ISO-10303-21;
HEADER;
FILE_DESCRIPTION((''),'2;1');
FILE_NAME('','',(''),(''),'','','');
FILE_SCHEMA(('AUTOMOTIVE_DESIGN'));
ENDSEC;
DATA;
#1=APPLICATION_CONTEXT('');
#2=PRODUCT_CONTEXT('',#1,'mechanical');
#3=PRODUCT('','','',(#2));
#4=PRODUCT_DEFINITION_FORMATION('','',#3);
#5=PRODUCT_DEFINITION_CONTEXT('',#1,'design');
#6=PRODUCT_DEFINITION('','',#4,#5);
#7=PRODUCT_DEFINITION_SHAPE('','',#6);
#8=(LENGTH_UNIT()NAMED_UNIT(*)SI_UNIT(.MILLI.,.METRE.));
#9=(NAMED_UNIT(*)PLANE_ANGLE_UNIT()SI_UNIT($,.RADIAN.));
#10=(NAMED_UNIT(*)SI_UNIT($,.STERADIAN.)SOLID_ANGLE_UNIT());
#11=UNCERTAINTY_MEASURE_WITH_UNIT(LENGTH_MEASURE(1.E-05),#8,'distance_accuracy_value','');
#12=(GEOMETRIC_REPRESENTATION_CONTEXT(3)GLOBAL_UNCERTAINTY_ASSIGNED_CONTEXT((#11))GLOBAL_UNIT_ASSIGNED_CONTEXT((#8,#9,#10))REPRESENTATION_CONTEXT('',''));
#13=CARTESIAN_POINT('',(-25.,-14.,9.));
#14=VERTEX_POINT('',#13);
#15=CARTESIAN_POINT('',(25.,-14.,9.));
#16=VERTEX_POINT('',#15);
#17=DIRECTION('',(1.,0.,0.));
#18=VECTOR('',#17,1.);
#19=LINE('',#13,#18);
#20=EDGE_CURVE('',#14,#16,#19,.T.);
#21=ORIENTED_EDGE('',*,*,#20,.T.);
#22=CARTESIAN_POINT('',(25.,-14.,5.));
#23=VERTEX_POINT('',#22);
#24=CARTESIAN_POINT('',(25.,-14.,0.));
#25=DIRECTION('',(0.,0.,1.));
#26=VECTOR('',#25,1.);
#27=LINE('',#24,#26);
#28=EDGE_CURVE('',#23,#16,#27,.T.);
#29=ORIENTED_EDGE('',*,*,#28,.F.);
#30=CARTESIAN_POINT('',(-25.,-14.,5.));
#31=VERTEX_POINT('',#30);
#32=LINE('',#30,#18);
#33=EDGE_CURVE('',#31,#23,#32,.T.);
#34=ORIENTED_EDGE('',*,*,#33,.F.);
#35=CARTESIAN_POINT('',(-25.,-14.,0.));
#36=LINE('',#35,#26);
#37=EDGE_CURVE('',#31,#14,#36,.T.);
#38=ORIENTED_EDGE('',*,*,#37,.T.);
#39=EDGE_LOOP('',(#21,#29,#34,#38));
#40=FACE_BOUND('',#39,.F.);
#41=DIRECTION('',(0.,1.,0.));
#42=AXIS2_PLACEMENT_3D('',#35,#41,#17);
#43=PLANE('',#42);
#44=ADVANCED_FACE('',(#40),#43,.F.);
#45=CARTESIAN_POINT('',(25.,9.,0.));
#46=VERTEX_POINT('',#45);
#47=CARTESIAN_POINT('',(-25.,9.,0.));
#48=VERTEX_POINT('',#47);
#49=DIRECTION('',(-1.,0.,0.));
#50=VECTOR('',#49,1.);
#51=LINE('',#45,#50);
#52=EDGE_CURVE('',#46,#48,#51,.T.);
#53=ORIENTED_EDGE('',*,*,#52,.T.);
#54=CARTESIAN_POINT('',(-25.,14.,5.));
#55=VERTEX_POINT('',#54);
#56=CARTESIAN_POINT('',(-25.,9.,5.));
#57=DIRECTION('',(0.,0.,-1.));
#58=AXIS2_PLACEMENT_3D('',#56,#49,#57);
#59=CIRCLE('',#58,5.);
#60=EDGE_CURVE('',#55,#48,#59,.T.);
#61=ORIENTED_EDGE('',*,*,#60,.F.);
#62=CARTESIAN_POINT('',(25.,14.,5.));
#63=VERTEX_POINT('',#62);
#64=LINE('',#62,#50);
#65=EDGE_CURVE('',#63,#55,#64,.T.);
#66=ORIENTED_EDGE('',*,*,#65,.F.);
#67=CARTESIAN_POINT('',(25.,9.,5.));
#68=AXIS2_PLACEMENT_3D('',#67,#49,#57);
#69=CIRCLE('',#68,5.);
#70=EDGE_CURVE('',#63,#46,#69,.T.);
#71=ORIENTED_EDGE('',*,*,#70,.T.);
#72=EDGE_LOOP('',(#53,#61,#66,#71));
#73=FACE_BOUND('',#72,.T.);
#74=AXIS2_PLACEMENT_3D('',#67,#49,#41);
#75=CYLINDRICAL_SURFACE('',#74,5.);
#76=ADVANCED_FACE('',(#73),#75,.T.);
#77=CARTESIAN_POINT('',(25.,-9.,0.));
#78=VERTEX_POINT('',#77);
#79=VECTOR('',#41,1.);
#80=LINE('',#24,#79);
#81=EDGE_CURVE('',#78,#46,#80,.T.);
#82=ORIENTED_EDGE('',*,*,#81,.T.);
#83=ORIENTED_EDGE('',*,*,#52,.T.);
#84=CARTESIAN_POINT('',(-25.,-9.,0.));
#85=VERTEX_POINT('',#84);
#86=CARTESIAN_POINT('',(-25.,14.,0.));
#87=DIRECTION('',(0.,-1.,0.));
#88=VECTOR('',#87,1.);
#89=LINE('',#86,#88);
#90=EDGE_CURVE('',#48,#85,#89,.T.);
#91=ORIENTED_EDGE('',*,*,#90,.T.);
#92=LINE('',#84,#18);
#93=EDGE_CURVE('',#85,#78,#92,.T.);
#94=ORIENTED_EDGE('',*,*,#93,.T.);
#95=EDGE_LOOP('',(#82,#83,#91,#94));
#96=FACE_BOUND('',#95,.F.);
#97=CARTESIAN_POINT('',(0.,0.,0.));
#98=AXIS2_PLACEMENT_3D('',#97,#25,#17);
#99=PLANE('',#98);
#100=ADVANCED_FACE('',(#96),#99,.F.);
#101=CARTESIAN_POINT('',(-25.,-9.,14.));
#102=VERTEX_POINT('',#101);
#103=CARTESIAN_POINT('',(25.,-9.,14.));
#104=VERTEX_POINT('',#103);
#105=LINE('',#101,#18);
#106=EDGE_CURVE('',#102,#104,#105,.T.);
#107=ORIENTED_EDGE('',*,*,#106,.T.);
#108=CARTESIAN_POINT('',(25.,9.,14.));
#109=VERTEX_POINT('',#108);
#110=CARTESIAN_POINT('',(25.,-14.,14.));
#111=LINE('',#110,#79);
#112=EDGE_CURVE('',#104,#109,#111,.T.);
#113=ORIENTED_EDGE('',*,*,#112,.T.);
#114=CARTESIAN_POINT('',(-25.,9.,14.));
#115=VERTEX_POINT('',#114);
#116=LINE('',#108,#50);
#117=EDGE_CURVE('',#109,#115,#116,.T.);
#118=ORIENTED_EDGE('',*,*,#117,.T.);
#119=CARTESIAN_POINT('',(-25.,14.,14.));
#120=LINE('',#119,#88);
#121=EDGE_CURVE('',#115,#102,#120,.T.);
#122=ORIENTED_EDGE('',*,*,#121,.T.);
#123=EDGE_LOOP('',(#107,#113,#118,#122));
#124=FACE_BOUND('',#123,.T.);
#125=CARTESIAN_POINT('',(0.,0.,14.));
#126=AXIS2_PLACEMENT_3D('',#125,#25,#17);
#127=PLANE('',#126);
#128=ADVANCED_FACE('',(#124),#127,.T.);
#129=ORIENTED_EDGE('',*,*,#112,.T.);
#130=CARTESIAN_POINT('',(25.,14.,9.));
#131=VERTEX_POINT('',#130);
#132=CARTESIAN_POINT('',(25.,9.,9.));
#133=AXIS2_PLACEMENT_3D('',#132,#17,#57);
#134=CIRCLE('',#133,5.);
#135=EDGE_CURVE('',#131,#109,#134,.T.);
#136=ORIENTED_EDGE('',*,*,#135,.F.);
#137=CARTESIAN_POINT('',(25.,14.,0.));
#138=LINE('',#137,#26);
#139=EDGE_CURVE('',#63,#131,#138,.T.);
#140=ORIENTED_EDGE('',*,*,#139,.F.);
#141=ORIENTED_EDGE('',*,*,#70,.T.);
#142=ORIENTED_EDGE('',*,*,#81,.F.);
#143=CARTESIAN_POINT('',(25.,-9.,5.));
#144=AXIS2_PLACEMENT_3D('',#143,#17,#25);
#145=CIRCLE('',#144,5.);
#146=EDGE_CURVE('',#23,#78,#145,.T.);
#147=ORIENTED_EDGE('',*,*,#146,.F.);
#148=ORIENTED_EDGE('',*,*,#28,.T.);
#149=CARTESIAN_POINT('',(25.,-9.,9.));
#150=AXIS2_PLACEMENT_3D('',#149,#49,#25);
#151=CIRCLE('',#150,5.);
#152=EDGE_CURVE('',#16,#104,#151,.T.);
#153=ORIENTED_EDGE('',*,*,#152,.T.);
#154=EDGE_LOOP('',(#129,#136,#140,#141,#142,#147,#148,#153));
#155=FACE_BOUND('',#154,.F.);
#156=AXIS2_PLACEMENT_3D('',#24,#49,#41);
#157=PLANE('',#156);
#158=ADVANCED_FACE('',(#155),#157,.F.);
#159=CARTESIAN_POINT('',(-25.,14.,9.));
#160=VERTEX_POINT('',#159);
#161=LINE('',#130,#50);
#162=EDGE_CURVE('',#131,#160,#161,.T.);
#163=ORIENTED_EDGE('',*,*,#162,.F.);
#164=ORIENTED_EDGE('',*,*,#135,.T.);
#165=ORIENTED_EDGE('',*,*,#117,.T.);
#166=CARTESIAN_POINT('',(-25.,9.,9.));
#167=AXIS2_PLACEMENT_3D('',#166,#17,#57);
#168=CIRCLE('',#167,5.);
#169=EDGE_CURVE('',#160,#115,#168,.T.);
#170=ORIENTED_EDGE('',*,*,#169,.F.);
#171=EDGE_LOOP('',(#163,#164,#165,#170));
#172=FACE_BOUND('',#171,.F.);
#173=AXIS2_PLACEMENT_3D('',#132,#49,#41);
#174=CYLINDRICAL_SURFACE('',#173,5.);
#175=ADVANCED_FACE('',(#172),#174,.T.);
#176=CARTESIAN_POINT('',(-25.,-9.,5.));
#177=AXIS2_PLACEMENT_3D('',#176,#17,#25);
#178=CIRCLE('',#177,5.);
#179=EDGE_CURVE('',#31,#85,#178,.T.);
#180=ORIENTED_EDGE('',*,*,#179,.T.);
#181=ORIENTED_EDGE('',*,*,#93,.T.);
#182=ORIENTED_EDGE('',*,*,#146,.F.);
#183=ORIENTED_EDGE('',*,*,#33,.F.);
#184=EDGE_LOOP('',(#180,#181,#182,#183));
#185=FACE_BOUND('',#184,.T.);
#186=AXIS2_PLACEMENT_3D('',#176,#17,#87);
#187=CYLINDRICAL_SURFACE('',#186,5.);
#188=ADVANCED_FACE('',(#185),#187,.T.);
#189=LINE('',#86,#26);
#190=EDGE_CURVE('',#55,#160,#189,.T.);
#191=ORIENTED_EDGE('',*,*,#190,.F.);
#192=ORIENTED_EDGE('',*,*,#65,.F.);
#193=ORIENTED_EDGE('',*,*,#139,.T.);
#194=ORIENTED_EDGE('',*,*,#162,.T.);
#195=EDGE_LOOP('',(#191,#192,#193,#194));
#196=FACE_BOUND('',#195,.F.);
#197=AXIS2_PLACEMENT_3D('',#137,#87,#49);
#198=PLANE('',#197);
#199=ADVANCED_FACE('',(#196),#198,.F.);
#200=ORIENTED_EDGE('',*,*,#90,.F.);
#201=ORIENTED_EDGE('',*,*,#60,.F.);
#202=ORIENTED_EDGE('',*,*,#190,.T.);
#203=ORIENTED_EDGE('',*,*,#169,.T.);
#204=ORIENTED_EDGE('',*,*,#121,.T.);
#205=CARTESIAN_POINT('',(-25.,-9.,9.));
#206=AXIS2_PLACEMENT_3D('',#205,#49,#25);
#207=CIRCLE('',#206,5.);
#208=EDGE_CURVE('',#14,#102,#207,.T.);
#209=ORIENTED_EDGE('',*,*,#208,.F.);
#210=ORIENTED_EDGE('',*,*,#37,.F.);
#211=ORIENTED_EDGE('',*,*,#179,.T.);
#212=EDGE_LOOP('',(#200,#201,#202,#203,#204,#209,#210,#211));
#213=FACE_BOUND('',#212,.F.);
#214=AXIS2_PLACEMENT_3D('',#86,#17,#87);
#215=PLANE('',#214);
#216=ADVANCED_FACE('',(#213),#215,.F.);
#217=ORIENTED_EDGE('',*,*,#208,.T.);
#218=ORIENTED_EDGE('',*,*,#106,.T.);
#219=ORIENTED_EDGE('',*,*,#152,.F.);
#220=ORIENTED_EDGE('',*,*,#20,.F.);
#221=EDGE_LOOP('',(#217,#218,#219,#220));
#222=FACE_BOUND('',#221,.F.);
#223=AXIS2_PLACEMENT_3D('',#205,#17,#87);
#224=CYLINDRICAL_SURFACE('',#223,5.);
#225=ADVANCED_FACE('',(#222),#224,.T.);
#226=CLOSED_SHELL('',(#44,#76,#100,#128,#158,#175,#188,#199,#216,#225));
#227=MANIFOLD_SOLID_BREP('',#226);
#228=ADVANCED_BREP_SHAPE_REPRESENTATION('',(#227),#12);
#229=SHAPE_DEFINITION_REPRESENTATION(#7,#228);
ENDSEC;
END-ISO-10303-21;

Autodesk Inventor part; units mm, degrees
ref_plane "YZ Plane" through (0, 0, 0) normal (1, 0, 0) x (0, 1, 0)
ref_plane "XZ Plane" through (0, 0, 0) normal (0, 1, 0) x (-1, 0, 0)
ref_plane "XY Plane" through (0, 0, 0) normal (0, 0, 1) x (1, 0, 0)
sketch "Náčrt1" plane through (0, 0, 0) normal (0, 0, 1) x (1, 0, 0)
  line L0 (0, 0) -> (-25, 0) construction
  line L1 (-25, 0) -> (-25, -14) construction
  line L2 (-25, -14) -> (0, -14) construction
  line L3 (0, -14) -> (0, 0) construction
  line L4 (-25, -14) -> (25, -14)
  line L5 (25, -14) -> (25, 14)
  line L6 (25, 14) -> (-25, 14)
  line L7 (-25, 14) -> (-25, -14)
  dimension "d0" = 25
  dimension "d1" = 14
  dimension "d2" = 50
  dimension "d3" = 28
extrude "Vysunutí1" add sketch "Náčrt1" along normal blind 14
fillet "Zaoblení1" radius 5 4 edges at (0, 14, 14) (0, 14, 0) (0, -14, 14) (0, -14, 0)
properties part number "7.4 V  500MaH Li pol"
